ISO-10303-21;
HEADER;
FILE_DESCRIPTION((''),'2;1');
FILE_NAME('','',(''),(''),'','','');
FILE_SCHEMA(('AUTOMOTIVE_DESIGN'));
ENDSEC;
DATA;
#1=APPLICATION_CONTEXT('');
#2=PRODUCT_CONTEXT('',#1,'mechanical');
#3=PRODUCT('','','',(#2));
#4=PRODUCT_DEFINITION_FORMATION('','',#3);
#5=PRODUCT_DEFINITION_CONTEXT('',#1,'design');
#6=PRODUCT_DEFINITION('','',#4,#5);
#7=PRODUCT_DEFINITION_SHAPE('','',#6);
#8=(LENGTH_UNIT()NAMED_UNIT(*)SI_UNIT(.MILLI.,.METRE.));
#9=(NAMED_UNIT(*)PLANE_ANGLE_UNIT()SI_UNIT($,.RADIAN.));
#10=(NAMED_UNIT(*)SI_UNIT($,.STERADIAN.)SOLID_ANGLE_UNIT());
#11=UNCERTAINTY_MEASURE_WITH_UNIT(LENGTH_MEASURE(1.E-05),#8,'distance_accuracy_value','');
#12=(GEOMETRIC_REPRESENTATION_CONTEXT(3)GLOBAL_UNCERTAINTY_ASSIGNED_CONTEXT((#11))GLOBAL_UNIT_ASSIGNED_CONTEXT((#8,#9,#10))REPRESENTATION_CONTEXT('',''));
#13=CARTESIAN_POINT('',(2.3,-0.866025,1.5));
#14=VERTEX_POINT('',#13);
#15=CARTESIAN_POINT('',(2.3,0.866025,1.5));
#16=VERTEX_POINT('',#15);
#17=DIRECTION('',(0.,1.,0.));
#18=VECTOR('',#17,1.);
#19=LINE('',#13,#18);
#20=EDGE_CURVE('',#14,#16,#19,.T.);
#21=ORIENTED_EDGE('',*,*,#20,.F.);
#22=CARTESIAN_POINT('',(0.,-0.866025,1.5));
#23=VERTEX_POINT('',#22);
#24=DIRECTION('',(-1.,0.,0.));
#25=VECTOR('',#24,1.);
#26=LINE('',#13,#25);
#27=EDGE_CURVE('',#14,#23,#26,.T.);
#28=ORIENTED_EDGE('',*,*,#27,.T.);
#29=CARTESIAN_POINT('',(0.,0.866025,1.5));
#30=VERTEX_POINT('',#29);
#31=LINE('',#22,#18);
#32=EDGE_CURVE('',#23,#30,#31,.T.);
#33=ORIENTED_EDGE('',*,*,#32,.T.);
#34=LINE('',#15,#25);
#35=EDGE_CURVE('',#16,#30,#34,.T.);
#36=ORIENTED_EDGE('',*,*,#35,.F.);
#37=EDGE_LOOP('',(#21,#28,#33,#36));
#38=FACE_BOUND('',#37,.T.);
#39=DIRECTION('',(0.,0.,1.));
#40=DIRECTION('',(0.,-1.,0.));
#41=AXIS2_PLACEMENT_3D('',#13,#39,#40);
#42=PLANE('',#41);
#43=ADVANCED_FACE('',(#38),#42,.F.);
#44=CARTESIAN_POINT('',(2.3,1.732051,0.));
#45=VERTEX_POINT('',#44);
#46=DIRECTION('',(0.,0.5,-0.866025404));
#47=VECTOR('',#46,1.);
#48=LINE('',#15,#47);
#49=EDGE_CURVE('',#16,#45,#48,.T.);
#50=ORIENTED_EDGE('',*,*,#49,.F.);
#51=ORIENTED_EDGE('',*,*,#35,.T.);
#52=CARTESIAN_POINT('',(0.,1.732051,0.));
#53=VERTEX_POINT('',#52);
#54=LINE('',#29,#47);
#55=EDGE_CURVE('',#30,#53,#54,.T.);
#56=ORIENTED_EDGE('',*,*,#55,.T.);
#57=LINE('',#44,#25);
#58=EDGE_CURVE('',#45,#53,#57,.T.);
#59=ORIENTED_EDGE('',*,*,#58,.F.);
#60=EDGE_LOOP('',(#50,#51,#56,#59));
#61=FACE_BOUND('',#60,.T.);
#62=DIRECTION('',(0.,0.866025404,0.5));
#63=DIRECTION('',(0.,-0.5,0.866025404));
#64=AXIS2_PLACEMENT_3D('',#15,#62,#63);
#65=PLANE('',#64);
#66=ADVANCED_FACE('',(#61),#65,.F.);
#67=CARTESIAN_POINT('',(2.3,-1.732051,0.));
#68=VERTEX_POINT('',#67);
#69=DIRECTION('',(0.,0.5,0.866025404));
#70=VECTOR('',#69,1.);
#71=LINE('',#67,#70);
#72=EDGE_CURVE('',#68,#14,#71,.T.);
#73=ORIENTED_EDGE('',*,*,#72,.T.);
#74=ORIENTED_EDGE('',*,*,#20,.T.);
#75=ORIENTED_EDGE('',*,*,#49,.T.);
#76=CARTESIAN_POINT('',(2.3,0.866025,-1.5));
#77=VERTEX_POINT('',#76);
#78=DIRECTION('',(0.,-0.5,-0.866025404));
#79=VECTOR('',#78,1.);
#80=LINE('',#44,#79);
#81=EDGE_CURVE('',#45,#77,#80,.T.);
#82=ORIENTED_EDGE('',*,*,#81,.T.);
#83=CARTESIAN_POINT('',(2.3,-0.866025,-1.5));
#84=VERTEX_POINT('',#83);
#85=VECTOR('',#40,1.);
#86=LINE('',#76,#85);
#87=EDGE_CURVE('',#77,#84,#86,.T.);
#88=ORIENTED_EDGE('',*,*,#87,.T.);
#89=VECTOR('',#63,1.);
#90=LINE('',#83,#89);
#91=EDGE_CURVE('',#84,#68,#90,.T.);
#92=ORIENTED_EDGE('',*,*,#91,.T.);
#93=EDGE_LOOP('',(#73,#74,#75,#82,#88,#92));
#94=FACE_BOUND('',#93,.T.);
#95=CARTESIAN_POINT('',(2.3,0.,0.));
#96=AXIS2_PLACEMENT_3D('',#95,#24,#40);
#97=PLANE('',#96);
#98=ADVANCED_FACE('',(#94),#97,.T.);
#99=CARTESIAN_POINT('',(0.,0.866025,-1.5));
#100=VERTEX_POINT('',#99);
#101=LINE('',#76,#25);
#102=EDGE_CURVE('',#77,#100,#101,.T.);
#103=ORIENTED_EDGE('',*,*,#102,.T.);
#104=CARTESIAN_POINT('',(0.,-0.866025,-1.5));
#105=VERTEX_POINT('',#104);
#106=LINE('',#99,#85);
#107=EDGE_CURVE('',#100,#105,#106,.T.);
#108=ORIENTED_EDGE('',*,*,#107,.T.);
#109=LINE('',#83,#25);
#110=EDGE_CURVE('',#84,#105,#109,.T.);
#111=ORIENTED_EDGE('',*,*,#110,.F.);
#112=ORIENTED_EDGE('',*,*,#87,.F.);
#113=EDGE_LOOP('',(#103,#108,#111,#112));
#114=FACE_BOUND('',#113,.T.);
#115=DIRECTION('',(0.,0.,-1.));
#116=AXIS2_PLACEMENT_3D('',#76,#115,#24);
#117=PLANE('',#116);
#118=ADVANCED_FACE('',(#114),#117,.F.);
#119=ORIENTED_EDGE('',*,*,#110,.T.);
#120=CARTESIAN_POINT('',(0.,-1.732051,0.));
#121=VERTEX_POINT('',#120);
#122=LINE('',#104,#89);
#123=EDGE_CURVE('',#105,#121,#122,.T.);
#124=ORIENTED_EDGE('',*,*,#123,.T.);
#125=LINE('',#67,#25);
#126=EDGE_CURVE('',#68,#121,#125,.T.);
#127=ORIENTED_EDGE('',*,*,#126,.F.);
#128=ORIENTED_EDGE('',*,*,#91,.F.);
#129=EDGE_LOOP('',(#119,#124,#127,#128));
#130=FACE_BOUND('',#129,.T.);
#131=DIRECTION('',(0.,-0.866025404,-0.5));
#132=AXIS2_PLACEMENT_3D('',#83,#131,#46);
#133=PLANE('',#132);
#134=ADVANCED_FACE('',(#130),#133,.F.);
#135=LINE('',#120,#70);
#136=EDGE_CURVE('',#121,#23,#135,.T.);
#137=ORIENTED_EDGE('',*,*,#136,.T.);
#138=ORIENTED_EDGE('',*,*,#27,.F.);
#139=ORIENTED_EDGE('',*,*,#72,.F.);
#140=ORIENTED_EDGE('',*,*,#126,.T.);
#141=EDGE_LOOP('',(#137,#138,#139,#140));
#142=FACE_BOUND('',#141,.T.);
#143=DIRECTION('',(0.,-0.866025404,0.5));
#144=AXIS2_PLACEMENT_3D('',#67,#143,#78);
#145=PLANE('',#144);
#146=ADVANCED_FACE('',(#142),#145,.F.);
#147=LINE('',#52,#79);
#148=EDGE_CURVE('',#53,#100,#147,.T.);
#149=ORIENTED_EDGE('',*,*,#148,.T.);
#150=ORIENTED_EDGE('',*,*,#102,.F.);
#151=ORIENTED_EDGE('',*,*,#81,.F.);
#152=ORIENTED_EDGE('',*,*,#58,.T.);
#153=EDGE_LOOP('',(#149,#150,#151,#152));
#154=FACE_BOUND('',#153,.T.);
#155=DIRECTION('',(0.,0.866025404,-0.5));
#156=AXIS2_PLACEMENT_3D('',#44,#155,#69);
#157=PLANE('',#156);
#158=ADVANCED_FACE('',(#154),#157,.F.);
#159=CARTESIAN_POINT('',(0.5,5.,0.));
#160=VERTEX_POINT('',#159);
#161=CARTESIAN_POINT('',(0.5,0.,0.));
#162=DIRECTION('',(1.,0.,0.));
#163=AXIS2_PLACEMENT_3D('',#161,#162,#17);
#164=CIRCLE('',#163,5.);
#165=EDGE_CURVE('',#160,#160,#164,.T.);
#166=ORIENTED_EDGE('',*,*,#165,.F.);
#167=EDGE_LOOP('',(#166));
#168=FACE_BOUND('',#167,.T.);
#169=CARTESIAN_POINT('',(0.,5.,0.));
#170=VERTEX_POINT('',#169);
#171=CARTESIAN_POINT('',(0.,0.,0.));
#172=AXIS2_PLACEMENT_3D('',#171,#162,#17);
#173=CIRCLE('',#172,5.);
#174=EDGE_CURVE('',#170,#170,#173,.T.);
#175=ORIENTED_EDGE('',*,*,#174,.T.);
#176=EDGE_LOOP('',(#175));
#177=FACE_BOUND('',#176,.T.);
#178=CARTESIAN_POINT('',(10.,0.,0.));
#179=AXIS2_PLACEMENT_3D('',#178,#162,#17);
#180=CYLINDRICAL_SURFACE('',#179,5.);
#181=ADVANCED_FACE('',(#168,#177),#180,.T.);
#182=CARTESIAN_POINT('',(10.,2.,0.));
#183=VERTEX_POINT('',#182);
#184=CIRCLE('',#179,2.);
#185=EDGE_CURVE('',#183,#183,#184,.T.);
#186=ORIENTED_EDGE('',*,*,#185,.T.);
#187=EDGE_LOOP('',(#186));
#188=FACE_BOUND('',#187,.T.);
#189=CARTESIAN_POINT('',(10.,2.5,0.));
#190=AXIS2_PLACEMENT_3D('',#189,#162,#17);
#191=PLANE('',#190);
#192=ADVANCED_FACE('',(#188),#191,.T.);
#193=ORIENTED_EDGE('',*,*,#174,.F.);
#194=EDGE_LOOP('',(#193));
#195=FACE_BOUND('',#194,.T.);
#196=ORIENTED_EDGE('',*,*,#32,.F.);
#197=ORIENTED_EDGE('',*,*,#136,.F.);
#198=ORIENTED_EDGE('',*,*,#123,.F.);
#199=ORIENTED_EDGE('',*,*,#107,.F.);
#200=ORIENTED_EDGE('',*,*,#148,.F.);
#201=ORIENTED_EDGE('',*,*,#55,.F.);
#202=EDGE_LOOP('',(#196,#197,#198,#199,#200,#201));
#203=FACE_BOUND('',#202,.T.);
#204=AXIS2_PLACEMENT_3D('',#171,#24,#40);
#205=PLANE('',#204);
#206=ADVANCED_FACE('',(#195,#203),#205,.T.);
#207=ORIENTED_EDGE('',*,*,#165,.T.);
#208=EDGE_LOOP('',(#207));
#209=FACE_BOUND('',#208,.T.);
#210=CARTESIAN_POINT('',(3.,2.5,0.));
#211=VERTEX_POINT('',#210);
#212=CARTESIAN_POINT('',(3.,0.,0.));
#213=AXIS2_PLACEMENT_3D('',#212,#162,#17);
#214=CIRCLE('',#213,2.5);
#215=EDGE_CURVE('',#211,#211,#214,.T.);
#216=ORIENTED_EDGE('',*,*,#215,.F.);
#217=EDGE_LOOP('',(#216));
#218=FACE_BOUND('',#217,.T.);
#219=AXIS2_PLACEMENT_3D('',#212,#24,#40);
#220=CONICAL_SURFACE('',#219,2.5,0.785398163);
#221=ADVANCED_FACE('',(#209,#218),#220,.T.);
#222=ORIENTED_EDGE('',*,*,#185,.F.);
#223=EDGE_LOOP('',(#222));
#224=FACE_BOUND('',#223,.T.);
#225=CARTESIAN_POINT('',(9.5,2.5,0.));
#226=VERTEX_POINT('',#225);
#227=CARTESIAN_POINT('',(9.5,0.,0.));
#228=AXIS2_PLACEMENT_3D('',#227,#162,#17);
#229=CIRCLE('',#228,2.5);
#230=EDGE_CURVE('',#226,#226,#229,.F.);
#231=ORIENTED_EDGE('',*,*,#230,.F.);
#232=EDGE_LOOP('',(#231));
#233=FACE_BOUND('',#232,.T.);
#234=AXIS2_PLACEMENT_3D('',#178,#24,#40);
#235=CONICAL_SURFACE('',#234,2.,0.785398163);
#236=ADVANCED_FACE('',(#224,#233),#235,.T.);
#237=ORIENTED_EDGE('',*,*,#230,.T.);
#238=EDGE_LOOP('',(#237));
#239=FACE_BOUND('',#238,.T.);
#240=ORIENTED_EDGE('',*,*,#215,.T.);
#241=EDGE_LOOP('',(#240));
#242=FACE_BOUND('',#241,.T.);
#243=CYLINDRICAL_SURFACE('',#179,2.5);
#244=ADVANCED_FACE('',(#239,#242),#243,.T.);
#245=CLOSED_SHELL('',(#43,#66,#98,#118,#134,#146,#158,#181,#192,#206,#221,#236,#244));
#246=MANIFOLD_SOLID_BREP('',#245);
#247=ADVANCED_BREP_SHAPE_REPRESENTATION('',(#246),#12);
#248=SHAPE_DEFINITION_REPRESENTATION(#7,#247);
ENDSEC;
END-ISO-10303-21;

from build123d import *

# Parameters (mm, degrees)
CHANFREIN1_SIZE         = 0.5
ENL_V_MAT_EXTRU_1_DEPTH = 2.3


with BuildPart() as part:
    # Esquisse1 → Révolution1 (revolve)
    with BuildSketch(Plane.XY):
        Polygon((0, 0), (0, 5), (0.5, 5), (3, 2.5), (10, 2.5), (10, 0), align=None)
    revolve(axis=Axis((10, 0, 0), (-1, 0, 0)))

    # Chanfrein1
    chanfrein1_edges = [part.edges().sort_by_distance(p)[0] for p in [
        (10, -2.5, 0),
    ]]
    chamfer(chanfrein1_edges, length=CHANFREIN1_SIZE)

    # Esquisse2 → Enlèv. mat.-Extru.1 (cut)
    with BuildSketch(Plane.ZY):
        Polygon((0, 1.732050808), (-1.5, 0.866025404), (-1.5, -0.866025404), (0, -1.732050808), (1.5, -0.866025404), (1.5, 0.866025404), align=None)
    extrude(amount=-ENL_V_MAT_EXTRU_1_DEPTH, mode=Mode.SUBTRACT)


solid = part.part
